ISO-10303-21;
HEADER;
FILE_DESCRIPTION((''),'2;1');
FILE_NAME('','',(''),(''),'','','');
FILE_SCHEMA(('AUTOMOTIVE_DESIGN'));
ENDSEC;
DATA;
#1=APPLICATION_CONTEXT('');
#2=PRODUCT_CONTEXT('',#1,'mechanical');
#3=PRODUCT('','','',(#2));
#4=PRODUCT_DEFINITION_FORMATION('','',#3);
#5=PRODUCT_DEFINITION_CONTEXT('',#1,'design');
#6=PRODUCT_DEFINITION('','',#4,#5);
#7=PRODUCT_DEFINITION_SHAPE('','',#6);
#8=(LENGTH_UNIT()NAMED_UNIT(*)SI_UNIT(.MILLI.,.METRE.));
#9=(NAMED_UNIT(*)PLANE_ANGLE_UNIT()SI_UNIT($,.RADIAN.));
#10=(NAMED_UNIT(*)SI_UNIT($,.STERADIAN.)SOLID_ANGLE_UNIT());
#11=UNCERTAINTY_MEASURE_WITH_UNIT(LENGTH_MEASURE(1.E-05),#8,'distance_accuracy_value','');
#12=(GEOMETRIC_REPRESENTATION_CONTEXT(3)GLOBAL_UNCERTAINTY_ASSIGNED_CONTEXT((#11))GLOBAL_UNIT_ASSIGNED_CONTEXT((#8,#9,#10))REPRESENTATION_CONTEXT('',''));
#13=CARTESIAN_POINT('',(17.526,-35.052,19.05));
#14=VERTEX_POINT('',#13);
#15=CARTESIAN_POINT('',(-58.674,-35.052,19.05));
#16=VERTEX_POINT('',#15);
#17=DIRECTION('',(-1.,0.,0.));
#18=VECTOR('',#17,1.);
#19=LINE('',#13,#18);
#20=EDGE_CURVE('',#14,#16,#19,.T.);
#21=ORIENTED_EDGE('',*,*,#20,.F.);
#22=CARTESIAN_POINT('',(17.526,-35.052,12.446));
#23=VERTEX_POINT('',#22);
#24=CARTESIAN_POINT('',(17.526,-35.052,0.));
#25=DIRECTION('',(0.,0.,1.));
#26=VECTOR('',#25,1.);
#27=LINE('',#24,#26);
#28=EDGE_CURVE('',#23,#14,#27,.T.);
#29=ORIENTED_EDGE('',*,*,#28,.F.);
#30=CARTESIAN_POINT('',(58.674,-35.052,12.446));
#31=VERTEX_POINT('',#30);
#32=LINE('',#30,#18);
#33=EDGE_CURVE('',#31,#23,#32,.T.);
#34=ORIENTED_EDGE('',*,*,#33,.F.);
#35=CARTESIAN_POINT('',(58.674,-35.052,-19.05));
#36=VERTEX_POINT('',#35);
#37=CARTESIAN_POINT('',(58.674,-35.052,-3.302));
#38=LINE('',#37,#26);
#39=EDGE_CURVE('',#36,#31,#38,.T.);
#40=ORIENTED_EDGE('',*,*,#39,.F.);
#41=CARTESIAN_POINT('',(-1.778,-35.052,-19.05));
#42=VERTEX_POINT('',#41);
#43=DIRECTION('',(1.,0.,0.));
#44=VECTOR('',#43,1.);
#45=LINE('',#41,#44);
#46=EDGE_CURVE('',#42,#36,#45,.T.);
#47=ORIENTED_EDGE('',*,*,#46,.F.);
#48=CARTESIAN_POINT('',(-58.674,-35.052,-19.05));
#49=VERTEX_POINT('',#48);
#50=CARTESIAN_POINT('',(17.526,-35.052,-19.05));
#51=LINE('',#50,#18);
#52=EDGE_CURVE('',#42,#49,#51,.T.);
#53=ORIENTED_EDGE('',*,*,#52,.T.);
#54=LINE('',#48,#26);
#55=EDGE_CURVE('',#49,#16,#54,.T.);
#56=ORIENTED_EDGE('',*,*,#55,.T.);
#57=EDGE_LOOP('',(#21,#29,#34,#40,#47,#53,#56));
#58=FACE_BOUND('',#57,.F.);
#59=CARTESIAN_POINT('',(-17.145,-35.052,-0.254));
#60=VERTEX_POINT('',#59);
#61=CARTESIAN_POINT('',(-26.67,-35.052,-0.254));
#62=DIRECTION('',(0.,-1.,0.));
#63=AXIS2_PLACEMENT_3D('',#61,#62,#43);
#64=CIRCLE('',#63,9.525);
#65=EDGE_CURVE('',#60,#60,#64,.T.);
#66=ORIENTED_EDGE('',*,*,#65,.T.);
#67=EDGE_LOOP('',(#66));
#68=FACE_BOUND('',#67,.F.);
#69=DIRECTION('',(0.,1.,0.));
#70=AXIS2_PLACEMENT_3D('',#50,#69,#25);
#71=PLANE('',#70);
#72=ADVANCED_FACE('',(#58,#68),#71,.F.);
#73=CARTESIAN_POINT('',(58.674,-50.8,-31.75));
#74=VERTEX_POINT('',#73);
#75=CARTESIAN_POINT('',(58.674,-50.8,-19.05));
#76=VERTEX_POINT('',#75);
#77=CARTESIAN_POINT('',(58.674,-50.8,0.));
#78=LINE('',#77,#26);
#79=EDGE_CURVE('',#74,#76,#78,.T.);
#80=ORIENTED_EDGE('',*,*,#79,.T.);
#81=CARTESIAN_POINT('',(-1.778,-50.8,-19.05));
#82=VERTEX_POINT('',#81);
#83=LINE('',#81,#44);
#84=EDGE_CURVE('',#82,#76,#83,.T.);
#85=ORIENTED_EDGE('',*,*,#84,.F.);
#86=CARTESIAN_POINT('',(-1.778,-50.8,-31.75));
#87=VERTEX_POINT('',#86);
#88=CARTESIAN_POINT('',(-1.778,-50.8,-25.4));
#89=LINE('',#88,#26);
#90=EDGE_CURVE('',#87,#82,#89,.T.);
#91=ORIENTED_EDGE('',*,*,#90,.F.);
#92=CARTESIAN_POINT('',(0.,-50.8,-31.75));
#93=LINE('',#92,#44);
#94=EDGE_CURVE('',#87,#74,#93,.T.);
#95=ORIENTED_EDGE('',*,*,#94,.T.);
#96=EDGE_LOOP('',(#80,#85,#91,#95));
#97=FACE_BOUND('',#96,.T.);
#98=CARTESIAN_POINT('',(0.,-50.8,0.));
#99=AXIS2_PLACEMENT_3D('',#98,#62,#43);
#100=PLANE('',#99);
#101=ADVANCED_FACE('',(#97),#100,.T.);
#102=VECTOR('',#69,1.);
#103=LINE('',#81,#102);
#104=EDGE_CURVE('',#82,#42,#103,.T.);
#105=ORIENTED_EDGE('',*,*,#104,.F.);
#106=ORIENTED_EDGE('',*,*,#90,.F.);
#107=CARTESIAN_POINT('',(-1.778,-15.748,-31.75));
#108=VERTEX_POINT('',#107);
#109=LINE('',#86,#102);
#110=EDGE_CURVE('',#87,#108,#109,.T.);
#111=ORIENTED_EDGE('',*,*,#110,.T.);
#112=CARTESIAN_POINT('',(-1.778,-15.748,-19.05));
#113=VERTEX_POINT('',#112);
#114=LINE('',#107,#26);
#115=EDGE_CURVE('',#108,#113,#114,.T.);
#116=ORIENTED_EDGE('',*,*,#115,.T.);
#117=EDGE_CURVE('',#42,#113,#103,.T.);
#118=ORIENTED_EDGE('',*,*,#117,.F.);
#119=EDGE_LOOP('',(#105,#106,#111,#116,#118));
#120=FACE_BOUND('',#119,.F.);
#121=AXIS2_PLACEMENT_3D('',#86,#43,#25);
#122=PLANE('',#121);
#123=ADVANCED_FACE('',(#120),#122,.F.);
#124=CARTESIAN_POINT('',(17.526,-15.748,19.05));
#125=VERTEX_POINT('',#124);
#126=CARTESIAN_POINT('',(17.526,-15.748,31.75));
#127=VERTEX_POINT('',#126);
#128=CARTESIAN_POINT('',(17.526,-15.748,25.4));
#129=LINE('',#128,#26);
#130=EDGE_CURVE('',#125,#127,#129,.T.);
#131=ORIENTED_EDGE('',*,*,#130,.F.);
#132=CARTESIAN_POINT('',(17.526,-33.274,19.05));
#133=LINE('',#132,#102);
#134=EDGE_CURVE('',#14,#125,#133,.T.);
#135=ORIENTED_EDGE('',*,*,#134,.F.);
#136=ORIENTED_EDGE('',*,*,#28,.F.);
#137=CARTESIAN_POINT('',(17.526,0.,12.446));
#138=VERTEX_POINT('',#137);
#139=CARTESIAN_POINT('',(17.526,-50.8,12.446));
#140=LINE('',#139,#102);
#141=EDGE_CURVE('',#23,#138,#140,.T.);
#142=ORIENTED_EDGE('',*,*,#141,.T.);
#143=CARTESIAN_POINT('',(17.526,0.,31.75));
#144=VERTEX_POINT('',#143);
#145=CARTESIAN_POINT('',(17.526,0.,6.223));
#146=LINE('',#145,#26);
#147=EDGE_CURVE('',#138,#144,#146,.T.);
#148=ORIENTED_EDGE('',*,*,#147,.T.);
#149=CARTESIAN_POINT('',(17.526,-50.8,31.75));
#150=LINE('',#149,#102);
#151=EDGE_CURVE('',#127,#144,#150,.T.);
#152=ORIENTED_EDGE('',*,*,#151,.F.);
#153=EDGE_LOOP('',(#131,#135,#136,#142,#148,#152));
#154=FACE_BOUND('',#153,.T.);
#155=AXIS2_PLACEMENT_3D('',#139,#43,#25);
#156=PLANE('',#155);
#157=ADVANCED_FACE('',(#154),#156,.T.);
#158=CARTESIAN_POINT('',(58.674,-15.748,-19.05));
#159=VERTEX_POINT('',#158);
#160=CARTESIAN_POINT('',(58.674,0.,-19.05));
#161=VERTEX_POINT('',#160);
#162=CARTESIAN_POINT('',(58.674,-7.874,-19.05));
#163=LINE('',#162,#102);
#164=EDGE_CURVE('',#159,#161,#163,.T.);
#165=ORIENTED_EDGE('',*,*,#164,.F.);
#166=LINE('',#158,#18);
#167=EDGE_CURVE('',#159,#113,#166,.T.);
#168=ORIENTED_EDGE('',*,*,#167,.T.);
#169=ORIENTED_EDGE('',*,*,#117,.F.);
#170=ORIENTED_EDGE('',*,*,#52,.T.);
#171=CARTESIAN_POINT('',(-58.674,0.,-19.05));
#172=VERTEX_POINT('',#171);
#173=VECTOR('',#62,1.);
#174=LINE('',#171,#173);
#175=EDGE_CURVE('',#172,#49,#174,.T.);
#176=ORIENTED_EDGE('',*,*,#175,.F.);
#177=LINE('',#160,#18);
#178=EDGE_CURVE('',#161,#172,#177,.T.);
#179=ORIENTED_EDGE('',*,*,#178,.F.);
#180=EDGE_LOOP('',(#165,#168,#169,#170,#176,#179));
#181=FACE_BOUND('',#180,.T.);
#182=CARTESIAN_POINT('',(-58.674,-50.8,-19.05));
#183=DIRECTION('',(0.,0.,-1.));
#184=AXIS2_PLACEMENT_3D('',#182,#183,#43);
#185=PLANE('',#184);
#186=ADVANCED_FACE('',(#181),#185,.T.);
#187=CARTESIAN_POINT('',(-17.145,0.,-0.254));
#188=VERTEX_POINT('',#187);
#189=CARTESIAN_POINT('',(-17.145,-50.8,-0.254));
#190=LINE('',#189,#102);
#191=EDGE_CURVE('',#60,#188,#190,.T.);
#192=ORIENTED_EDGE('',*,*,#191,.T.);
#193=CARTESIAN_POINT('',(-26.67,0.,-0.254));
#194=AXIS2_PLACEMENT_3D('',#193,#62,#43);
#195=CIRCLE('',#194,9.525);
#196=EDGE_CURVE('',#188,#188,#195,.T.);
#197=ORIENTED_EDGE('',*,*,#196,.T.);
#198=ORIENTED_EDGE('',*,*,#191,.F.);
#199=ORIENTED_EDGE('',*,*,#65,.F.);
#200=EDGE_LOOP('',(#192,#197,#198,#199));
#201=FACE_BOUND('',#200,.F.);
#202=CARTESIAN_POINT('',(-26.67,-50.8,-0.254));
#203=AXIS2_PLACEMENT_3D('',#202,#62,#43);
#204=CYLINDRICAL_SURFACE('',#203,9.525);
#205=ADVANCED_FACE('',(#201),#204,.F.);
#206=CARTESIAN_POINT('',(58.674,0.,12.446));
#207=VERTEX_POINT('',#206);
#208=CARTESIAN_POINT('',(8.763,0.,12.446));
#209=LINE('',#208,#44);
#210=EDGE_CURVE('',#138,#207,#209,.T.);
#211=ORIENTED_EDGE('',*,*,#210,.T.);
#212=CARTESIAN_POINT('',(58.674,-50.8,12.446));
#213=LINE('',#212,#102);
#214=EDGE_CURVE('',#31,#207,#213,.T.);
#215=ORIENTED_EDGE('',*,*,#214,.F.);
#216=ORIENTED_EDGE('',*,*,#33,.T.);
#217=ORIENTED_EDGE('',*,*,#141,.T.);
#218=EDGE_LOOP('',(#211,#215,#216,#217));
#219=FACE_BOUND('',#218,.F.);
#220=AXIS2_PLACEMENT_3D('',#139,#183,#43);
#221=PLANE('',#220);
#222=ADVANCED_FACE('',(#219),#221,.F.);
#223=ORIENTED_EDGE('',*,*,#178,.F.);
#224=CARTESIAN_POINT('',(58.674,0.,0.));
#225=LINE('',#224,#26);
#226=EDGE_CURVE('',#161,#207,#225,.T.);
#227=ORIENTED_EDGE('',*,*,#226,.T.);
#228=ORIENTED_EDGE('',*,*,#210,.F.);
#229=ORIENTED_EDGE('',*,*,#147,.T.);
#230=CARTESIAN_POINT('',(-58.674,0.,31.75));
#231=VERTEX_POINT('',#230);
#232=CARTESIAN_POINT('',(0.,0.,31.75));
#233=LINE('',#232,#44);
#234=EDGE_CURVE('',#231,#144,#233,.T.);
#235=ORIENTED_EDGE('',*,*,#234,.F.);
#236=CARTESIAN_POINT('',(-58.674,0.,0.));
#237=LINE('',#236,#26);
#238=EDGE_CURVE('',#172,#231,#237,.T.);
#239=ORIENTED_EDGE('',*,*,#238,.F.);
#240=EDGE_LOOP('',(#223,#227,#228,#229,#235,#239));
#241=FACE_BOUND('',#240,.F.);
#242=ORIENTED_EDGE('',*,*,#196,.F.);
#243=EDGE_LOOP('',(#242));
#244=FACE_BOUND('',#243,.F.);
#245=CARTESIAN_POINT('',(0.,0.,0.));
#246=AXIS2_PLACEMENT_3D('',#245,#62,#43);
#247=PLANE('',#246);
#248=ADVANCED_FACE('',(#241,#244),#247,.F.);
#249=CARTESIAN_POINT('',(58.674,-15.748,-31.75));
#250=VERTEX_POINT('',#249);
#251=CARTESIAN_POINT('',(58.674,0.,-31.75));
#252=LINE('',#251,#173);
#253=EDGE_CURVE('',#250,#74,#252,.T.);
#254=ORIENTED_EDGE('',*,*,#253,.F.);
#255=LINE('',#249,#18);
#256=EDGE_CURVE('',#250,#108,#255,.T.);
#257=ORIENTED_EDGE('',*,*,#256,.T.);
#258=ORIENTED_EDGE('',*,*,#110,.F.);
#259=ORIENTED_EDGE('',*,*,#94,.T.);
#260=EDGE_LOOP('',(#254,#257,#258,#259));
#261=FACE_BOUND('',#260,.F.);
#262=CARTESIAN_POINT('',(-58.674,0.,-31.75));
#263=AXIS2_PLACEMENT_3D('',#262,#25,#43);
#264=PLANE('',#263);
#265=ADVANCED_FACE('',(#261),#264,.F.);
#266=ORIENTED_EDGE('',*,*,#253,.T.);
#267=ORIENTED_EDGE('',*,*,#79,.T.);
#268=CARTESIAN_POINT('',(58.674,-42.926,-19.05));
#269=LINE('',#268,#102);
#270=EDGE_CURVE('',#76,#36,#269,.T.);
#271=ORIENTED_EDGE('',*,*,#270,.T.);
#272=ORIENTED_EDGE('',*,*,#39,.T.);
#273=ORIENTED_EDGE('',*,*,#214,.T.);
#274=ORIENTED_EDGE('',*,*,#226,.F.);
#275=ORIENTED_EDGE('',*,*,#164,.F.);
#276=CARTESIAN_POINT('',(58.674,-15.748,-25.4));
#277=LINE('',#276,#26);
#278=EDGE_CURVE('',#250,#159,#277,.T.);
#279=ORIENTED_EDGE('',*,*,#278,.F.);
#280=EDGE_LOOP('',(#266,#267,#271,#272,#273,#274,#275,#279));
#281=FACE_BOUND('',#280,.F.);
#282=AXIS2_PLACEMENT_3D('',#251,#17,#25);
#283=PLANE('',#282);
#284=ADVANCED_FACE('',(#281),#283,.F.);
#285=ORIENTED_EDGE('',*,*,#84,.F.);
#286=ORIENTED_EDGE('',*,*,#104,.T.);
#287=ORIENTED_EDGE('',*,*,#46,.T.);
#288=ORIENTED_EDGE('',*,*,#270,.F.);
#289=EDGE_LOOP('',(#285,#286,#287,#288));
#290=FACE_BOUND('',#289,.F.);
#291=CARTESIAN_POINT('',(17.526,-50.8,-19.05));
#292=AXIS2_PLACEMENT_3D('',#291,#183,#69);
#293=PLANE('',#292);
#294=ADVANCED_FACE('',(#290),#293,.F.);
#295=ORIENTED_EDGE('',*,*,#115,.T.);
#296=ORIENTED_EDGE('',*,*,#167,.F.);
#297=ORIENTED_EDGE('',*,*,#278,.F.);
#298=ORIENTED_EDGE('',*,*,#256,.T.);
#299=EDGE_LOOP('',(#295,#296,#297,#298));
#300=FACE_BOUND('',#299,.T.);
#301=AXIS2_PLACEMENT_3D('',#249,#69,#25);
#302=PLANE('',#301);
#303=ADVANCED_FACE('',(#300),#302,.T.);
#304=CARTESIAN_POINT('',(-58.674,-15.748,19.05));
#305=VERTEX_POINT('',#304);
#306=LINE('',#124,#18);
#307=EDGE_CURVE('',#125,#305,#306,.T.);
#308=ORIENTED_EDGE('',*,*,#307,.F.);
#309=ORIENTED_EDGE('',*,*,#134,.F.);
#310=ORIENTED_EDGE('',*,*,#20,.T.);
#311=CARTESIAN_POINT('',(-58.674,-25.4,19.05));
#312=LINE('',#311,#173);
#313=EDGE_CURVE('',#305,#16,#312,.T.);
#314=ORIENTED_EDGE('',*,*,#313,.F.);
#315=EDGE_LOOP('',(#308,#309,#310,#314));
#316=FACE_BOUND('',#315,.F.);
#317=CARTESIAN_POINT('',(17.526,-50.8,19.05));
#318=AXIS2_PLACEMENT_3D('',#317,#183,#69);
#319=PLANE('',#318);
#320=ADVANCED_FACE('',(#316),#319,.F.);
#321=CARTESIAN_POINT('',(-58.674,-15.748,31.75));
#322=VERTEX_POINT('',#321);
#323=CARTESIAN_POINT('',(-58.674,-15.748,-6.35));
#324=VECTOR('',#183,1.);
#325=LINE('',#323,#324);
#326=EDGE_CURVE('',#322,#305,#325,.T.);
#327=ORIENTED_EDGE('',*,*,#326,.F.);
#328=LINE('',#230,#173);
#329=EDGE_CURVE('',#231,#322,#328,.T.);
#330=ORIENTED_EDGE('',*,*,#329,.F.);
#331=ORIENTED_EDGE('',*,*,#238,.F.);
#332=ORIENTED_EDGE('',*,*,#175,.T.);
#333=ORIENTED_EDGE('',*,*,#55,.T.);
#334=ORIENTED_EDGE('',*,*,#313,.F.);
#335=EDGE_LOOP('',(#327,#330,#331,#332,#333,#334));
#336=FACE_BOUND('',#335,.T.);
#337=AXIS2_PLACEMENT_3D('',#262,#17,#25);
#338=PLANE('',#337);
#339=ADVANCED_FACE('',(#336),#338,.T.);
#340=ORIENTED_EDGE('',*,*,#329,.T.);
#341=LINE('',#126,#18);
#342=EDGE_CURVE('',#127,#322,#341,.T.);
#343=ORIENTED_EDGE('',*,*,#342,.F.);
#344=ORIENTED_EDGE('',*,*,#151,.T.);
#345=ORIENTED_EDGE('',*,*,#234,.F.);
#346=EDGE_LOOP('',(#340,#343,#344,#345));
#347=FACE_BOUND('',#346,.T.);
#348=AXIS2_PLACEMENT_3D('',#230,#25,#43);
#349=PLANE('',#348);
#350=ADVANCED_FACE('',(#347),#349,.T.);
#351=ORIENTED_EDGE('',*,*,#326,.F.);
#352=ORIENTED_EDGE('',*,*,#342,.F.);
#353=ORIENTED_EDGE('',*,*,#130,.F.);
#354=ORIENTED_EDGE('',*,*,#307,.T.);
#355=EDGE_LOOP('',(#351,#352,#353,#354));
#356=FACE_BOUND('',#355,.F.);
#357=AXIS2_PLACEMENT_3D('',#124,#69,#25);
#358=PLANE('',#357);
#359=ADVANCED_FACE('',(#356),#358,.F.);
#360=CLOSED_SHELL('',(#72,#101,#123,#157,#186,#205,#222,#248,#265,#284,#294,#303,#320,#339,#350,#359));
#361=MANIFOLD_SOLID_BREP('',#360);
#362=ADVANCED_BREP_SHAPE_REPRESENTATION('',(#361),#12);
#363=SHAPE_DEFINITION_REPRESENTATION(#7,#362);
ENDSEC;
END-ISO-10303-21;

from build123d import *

# Parameters (mm, degrees)
F0_W      = 117.348
F0_H      = 63.5
F1_DEPTH  = 50.8
F2_W      = 41.148
F2_H      = 19.304
F3_DEPTH  = 50.801
F4_W      = 56.896
F4_H      = 12.7
F5_DEPTH  = 50.801
F6_R      = 9.525
F7_DEPTH  = 50.801
F8_W      = 15.748
F8_H      = 12.7
F9_DEPTH  = 117.349
F10_W     = 35.052
F10_H     = 12.7
F11_DEPTH = 76.201
F12_W     = 15.748
F12_H     = 38.1
F13_DEPTH = 76.201
F14_W     = 15.748
F14_H     = 31.496
F15_DEPTH = 117.349


with BuildPart() as f1:
    # F0 (on Front) → F1 (new body)
    with BuildSketch(Plane.XZ):
        Rectangle(F0_W, F0_H)
    extrude(amount=F1_DEPTH)

    # F2 (on face) → F3 (cut, through all)
    with BuildSketch(Plane.XZ.offset(50.8)):
        with Locations((38.1, 22.098)):
            Rectangle(F2_W, F2_H)
    extrude(amount=-F3_DEPTH, mode=Mode.SUBTRACT)

    # F4 (on face) → F5 (cut, through all)
    with BuildSketch(Plane.XZ.offset(50.8)):
        with Locations((-30.226, -25.4)):
            Rectangle(F4_W, F4_H)
    extrude(amount=-F5_DEPTH, mode=Mode.SUBTRACT)

    # F6 (on face) → F7 (cut, through all)
    with BuildSketch(Plane.XZ.offset(50.8)):
        with Locations((-26.67, -0.254)):
            Circle(F6_R)
    extrude(amount=-F7_DEPTH, mode=Mode.SUBTRACT)

    # F8 (on face) → F9 (cut, through all)
    with BuildSketch(Plane.YZ.offset(58.674)):
        with Locations((-7.874, -25.4)):
            Rectangle(F8_W, F8_H)
    extrude(amount=-F9_DEPTH, mode=Mode.SUBTRACT)

    # F10 (on face) → F11 (cut, through all)
    with BuildSketch(Plane.YZ.offset(17.526)):
        with Locations((-33.274, 25.4)):
            Rectangle(F10_W, F10_H)
    extrude(amount=-F11_DEPTH, mode=Mode.SUBTRACT)

    # F12 (on face) → F13 (cut, through all)
    with BuildSketch(Plane.YZ.offset(17.526)):
        with Locations((-42.926, 0)):
            Rectangle(F12_W, F12_H)
    extrude(amount=-F13_DEPTH, mode=Mode.SUBTRACT)

    # F14 (on face) → F15 (cut, through all)
    with BuildSketch(Plane.YZ.offset(58.674)):
        with Locations((-42.926, -3.302)):
            Rectangle(F14_W, F14_H)
    extrude(amount=-F15_DEPTH, mode=Mode.SUBTRACT)


solid = f1.part
